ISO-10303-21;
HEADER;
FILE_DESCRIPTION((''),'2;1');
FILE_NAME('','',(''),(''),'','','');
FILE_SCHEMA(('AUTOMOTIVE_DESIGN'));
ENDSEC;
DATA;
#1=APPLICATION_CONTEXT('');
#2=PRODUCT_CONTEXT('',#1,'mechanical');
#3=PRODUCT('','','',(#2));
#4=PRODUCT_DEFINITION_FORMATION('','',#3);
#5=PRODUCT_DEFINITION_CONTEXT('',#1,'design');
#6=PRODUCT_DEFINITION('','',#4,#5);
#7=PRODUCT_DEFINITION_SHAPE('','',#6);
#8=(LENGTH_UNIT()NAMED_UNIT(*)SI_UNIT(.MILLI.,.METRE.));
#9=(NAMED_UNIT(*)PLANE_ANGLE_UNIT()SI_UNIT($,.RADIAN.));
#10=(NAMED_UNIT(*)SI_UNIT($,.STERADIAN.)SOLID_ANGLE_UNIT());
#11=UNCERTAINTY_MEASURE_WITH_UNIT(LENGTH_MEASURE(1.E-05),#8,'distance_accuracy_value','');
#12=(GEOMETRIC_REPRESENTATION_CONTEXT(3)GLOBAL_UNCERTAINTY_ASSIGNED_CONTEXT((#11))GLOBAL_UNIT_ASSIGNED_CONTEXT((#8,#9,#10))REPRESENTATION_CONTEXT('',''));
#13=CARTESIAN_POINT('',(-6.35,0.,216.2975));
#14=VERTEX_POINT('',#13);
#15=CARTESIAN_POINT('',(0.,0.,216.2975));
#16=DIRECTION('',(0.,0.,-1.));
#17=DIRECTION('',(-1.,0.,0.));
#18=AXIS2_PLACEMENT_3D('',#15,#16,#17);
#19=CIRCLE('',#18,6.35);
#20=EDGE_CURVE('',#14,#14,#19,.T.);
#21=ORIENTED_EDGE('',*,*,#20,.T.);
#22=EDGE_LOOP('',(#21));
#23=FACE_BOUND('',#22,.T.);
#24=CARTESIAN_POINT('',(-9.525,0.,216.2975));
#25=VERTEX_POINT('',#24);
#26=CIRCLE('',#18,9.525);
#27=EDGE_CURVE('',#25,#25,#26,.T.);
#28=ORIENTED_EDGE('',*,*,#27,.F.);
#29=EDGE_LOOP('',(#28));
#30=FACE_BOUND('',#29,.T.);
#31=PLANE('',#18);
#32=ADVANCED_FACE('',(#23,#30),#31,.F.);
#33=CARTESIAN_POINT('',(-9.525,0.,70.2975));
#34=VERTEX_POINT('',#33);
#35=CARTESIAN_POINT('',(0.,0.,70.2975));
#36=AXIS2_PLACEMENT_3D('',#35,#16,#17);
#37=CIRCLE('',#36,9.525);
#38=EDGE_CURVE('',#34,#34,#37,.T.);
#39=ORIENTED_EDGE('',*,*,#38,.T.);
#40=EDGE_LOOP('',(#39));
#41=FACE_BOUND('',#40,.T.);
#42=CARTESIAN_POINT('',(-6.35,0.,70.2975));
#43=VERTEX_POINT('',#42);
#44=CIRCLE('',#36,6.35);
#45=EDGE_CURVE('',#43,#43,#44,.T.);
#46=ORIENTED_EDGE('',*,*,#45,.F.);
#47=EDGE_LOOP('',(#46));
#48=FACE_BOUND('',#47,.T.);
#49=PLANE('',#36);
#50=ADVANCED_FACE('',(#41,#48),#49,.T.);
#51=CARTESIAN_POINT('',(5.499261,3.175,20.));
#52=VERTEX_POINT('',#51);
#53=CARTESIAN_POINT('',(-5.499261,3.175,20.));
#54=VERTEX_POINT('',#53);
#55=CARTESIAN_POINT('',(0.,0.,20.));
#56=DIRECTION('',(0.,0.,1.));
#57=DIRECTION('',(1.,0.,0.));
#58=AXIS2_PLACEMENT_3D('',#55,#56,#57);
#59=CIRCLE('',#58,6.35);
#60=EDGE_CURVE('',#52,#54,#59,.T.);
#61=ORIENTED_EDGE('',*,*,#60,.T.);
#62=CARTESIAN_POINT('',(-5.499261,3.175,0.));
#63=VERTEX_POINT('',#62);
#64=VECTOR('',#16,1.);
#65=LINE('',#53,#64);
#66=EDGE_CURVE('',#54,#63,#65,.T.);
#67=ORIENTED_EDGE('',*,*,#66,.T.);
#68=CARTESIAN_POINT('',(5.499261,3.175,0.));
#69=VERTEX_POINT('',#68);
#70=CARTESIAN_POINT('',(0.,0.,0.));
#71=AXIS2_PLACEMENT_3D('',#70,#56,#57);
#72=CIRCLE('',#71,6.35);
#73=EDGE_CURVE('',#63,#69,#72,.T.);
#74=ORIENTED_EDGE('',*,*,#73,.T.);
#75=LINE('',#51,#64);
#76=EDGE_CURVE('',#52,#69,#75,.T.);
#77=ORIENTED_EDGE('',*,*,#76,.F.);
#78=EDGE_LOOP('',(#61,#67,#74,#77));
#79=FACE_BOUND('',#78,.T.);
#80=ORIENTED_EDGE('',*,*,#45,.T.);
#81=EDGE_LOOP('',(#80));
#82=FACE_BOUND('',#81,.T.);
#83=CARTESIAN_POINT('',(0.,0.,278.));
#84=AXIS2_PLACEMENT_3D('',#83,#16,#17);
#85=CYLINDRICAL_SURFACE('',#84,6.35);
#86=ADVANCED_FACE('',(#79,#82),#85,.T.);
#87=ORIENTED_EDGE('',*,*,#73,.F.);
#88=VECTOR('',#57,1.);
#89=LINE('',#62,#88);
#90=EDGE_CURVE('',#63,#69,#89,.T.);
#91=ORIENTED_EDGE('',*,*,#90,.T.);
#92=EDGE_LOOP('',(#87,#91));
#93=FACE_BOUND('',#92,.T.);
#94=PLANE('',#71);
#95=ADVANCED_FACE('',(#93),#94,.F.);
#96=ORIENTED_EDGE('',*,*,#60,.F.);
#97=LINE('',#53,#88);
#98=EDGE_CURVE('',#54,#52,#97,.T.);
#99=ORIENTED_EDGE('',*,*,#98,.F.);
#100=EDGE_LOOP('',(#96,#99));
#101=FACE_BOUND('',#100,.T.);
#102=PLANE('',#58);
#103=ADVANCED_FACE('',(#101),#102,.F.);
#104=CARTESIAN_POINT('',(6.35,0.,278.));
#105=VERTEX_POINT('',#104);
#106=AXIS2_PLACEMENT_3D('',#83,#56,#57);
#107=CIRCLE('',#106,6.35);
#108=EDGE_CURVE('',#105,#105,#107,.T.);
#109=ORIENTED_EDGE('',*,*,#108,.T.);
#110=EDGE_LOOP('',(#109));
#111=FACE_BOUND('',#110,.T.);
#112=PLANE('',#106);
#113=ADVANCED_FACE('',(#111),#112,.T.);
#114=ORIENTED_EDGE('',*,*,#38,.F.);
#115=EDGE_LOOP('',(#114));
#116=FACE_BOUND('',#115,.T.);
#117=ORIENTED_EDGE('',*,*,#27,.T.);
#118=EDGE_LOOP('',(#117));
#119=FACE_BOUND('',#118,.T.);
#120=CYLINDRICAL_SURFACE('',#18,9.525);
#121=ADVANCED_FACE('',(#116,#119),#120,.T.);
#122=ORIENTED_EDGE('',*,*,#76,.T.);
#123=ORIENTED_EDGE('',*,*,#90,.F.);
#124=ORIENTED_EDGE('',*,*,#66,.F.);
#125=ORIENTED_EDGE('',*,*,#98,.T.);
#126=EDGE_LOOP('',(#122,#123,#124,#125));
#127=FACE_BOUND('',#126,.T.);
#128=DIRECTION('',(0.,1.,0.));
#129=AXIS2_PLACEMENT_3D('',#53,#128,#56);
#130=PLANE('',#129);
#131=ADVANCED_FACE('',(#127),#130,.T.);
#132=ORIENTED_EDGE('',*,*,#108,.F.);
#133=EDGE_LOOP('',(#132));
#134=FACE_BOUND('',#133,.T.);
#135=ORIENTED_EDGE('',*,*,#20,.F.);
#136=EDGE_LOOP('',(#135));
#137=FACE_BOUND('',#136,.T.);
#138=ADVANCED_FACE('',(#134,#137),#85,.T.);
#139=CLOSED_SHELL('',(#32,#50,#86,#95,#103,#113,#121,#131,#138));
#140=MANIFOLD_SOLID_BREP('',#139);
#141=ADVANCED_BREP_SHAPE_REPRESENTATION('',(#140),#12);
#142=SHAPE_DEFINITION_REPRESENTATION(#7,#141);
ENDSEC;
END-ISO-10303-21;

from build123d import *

# Parameters (mm, degrees)
SKETCH1_R           = 6.35
BOSS_EXTRUDE1_DEPTH = 278
BOSS_EXTRUDE2_START = -70.2975
SKETCH2_R           = 9.525
BOSS_EXTRUDE2_DEPTH = 146
CUT_EXTRUDE4_DEPTH  = 20


with BuildPart() as part:
    # Sketch1 → Boss-Extrude1 (new body)
    with BuildSketch(Plane.XY):
        Circle(SKETCH1_R)
    extrude(amount=BOSS_EXTRUDE1_DEPTH)

    # Sketch2 → Boss-Extrude2 (add)
    with BuildSketch(Plane(origin=(0, 0, 0), x_dir=(-1, 0, 0), z_dir=(0, 0, -1)).offset(BOSS_EXTRUDE2_START)):
        Circle(SKETCH2_R)
    extrude(amount=-BOSS_EXTRUDE2_DEPTH)

    # Sketch7 → Cut-Extrude4 (cut)
    with BuildSketch(Plane.XY):
        with BuildLine():
            Line((-5.499261314, 3.175), (5.499261314, 3.175))
            ThreePointArc((5.499261314, 3.175), (0, 6.35), (-5.499261314, 3.175))
        make_face()
    extrude(amount=CUT_EXTRUDE4_DEPTH, mode=Mode.SUBTRACT)


solid = part.part
